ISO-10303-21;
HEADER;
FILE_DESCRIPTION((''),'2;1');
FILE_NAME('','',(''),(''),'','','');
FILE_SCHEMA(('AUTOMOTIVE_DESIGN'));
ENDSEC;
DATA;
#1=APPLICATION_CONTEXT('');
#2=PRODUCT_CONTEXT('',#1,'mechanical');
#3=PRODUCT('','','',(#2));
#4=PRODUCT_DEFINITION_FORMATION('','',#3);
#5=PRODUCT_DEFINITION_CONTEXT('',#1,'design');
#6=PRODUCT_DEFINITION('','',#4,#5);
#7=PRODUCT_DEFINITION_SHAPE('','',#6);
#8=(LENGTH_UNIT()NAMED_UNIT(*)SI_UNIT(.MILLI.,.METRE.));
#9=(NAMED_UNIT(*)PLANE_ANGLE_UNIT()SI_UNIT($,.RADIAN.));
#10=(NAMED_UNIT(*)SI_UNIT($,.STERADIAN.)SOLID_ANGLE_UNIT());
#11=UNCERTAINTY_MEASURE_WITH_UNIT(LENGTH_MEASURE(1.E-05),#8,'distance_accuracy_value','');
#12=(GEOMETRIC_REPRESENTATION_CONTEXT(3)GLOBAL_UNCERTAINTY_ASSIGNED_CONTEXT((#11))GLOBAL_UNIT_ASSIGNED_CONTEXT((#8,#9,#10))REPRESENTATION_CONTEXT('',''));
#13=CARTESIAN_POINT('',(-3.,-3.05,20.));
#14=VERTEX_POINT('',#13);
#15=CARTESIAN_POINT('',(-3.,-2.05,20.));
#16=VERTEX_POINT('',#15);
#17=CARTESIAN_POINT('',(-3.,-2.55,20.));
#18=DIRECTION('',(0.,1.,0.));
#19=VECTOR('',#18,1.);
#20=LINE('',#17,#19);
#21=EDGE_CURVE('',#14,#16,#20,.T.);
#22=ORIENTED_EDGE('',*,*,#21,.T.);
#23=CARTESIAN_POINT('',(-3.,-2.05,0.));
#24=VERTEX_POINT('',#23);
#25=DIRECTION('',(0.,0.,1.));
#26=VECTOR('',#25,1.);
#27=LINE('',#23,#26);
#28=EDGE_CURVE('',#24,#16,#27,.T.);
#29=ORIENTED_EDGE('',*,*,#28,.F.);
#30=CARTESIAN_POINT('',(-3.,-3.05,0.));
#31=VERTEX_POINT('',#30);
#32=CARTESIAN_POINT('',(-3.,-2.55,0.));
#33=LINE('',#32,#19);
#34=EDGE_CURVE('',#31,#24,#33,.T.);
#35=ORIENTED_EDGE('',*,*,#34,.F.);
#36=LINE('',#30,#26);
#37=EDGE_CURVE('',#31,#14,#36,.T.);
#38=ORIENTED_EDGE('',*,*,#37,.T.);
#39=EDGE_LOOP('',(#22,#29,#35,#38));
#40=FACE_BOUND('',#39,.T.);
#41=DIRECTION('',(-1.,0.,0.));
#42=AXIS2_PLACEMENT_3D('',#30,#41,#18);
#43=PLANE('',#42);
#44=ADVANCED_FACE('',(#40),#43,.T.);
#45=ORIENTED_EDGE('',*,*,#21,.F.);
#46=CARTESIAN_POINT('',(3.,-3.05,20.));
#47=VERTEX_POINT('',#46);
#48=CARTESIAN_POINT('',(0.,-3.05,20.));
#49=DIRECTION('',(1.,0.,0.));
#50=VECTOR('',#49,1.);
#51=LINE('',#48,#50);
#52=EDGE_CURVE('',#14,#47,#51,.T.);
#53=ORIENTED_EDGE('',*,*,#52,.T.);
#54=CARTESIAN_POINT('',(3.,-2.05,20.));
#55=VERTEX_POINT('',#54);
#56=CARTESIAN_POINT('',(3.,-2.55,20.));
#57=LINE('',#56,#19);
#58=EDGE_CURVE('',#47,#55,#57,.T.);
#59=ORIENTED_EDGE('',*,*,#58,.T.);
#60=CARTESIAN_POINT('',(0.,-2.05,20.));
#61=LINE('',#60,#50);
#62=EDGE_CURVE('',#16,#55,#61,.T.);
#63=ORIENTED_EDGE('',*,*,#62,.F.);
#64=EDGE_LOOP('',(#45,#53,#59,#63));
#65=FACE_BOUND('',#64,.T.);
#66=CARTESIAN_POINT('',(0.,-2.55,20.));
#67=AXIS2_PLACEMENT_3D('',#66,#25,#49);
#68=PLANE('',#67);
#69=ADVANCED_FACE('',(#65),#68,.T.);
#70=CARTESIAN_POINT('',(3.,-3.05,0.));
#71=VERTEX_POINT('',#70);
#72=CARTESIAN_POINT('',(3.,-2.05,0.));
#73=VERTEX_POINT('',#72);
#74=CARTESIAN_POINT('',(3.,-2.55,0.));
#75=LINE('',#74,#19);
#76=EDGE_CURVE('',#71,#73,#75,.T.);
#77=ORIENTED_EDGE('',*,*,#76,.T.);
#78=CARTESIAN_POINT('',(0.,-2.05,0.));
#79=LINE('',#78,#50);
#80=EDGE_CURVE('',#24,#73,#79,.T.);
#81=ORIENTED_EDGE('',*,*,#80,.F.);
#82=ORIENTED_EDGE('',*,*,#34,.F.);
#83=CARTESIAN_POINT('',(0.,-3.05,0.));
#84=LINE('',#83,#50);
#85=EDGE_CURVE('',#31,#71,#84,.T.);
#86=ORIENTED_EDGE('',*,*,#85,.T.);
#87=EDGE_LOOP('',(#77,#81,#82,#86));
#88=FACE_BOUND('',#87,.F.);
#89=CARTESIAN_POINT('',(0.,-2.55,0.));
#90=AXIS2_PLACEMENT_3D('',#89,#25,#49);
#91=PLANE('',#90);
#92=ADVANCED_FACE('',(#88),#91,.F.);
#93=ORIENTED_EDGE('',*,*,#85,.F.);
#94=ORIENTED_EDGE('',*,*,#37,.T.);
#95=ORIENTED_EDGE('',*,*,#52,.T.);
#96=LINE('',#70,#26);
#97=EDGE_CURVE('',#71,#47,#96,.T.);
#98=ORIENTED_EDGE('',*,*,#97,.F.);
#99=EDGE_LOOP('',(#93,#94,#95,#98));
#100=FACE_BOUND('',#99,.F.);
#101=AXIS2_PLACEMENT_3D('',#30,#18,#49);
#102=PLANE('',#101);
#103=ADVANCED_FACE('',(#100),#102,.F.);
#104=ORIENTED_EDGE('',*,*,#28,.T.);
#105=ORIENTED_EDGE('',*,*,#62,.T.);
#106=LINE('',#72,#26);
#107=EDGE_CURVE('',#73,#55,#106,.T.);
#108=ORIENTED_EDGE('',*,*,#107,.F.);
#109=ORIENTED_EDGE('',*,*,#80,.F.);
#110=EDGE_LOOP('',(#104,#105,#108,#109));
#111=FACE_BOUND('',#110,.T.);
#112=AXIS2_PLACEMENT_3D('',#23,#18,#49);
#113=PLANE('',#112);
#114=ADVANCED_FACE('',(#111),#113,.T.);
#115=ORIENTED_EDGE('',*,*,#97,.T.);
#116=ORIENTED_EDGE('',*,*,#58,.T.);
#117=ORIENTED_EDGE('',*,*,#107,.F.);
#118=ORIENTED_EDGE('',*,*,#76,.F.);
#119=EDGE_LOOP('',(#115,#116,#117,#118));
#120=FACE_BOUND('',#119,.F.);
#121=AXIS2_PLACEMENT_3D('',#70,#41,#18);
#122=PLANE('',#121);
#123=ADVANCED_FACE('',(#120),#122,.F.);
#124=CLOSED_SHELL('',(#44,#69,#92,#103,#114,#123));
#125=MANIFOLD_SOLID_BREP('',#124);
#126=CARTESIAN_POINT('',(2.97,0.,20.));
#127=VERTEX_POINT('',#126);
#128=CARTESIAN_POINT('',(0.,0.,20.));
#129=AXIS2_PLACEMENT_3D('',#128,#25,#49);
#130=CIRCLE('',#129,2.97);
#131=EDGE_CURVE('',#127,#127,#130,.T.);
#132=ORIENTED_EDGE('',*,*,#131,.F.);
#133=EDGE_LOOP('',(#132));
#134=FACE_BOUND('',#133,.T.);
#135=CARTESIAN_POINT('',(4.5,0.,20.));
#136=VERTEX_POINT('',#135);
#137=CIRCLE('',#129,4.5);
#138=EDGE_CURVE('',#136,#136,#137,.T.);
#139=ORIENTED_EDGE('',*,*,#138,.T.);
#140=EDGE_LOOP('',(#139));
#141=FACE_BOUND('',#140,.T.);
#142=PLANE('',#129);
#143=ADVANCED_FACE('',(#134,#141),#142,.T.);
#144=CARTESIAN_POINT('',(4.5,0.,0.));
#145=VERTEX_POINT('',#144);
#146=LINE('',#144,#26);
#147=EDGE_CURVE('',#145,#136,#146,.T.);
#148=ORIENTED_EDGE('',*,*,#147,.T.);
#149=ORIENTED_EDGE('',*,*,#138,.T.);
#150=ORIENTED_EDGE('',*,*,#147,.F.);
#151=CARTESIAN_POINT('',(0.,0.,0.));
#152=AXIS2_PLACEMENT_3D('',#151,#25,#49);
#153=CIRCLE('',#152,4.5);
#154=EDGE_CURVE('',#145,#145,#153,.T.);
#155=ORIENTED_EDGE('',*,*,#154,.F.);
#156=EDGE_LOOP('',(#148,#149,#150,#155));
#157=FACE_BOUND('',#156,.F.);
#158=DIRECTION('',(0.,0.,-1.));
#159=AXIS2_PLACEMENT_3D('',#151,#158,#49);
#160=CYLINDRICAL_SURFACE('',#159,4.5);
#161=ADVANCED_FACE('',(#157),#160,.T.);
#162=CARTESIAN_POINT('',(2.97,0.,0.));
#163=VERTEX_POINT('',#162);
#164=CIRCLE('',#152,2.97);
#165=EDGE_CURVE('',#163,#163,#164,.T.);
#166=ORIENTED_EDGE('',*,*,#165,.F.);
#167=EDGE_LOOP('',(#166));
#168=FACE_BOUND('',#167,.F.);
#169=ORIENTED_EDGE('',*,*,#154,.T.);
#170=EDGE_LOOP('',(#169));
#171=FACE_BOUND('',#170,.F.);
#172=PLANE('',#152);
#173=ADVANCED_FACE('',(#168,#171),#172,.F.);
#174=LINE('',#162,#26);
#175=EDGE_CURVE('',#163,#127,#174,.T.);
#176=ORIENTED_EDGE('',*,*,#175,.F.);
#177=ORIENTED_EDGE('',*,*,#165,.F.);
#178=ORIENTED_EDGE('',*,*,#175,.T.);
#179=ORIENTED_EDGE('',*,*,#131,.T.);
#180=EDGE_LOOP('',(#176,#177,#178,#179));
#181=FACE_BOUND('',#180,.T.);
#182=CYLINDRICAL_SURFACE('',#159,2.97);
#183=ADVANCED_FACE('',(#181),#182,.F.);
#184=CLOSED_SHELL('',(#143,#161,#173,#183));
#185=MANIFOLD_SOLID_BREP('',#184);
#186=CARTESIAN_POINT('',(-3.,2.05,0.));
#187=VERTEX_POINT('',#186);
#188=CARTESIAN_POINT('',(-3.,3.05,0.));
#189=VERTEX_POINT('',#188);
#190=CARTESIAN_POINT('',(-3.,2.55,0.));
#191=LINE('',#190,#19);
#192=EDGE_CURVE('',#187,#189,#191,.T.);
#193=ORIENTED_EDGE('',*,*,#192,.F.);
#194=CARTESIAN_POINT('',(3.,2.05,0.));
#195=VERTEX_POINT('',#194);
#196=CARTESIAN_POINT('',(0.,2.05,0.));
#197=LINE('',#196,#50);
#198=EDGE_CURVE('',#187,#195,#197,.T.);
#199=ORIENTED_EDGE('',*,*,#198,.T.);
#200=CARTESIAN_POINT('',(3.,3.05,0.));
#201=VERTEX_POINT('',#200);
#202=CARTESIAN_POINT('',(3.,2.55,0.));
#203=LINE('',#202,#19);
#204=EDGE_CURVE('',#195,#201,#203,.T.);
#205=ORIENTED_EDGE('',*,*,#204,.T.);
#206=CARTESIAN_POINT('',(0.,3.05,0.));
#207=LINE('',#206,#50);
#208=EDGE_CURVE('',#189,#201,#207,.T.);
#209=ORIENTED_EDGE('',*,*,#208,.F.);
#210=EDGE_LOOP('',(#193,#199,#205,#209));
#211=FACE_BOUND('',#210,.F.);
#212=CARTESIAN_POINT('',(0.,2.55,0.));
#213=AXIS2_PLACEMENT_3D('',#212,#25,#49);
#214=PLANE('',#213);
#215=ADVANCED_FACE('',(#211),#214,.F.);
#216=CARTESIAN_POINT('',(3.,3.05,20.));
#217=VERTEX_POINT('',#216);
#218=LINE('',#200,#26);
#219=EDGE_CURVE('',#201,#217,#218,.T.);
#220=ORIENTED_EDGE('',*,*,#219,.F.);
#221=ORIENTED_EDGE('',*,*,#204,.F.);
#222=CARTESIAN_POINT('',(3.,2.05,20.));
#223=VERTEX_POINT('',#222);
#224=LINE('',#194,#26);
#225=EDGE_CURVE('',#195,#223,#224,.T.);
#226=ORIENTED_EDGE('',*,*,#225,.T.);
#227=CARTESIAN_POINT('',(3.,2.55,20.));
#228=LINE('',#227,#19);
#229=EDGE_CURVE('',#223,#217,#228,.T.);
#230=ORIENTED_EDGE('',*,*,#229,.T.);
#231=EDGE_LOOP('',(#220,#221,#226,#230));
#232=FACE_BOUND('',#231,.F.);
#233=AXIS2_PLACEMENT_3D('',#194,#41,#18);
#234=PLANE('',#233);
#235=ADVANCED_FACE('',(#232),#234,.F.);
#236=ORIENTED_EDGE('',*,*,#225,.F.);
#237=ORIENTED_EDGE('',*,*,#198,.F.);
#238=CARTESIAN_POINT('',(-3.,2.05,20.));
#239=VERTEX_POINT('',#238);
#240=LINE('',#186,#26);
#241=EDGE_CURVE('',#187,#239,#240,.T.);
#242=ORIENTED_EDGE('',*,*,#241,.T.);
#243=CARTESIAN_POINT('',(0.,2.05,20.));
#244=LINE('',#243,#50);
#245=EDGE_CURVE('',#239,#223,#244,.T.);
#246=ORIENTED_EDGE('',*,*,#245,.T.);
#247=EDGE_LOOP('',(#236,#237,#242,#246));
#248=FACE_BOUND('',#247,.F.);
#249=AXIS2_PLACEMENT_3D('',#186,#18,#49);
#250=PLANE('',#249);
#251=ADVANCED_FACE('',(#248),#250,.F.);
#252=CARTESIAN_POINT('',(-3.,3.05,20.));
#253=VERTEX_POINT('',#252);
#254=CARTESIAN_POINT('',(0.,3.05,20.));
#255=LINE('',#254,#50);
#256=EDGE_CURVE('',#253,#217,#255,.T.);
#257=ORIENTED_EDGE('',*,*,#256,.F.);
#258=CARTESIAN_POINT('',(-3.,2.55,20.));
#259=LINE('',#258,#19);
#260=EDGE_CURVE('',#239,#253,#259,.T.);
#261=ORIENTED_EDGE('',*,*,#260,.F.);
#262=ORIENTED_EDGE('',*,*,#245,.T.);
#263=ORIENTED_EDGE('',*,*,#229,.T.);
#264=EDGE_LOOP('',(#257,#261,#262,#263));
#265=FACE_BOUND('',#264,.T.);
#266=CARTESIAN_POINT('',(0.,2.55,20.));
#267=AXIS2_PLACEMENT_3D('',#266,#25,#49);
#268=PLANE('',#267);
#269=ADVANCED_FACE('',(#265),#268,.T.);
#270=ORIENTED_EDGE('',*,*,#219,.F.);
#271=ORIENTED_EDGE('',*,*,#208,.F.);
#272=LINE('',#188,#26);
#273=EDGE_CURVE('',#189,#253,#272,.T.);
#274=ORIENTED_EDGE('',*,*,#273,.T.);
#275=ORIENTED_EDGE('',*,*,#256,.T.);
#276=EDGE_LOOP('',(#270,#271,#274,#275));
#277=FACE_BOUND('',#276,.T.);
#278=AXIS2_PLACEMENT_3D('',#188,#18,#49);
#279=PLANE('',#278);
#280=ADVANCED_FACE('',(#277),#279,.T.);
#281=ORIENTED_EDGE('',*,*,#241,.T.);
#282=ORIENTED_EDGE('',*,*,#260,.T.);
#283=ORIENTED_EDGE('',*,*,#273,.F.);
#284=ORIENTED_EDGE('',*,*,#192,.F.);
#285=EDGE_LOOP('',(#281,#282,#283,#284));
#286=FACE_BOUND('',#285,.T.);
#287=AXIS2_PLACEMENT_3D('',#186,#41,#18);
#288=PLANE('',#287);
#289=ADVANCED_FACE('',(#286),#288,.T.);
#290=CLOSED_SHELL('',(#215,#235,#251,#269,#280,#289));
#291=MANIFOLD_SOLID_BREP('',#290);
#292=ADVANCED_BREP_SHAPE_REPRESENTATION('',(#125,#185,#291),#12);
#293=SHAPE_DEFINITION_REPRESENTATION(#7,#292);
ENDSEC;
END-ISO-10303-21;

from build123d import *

# Parameters (mm, degrees)
BOX_W             = 6
BOX_H             = 1
BOX_DEPTH         = 20
BOX001_W          = 6
BOX001_H          = 1
BOX001_DEPTH      = 20
CYLINDER001_R     = 2.97
CYLINDER001_DEPTH = 20
CYLINDER_R        = 4.5
CYLINDER_DEPTH    = 20


with BuildPart() as cubo:
    # Box → Box (new body)
    with BuildSketch(Plane(origin=(-3, 2.05, 0), x_dir=(1, 0, 0), z_dir=(0, 0, 1))):
        with Locations((3, 0.5)):
            Rectangle(BOX_W, BOX_H)
    extrude(amount=BOX_DEPTH)


with BuildPart() as cubo001:
    # Box001 → Box001 (new body)
    with BuildSketch(Plane(origin=(-3, -3.05, 0), x_dir=(1, 0, 0), z_dir=(0, 0, 1))):
        with Locations((3, 0.5)):
            Rectangle(BOX001_W, BOX001_H)
    extrude(amount=BOX001_DEPTH)


with BuildPart() as cilindro001:
    # Cylinder001 → Cylinder001 (new body)
    with BuildSketch(Plane.XY):
        Circle(CYLINDER001_R)
    extrude(amount=CYLINDER001_DEPTH)


with BuildPart() as cut:
    # Cylinder → Cylinder (new body)
    with BuildSketch(Plane.XY):
        Circle(CYLINDER_R)
    extrude(amount=CYLINDER_DEPTH)

    # Cut: cut Cilindro001
    add(cilindro001.part, mode=Mode.SUBTRACT)


solid = Compound([cubo.part, cubo001.part, cut.part])
